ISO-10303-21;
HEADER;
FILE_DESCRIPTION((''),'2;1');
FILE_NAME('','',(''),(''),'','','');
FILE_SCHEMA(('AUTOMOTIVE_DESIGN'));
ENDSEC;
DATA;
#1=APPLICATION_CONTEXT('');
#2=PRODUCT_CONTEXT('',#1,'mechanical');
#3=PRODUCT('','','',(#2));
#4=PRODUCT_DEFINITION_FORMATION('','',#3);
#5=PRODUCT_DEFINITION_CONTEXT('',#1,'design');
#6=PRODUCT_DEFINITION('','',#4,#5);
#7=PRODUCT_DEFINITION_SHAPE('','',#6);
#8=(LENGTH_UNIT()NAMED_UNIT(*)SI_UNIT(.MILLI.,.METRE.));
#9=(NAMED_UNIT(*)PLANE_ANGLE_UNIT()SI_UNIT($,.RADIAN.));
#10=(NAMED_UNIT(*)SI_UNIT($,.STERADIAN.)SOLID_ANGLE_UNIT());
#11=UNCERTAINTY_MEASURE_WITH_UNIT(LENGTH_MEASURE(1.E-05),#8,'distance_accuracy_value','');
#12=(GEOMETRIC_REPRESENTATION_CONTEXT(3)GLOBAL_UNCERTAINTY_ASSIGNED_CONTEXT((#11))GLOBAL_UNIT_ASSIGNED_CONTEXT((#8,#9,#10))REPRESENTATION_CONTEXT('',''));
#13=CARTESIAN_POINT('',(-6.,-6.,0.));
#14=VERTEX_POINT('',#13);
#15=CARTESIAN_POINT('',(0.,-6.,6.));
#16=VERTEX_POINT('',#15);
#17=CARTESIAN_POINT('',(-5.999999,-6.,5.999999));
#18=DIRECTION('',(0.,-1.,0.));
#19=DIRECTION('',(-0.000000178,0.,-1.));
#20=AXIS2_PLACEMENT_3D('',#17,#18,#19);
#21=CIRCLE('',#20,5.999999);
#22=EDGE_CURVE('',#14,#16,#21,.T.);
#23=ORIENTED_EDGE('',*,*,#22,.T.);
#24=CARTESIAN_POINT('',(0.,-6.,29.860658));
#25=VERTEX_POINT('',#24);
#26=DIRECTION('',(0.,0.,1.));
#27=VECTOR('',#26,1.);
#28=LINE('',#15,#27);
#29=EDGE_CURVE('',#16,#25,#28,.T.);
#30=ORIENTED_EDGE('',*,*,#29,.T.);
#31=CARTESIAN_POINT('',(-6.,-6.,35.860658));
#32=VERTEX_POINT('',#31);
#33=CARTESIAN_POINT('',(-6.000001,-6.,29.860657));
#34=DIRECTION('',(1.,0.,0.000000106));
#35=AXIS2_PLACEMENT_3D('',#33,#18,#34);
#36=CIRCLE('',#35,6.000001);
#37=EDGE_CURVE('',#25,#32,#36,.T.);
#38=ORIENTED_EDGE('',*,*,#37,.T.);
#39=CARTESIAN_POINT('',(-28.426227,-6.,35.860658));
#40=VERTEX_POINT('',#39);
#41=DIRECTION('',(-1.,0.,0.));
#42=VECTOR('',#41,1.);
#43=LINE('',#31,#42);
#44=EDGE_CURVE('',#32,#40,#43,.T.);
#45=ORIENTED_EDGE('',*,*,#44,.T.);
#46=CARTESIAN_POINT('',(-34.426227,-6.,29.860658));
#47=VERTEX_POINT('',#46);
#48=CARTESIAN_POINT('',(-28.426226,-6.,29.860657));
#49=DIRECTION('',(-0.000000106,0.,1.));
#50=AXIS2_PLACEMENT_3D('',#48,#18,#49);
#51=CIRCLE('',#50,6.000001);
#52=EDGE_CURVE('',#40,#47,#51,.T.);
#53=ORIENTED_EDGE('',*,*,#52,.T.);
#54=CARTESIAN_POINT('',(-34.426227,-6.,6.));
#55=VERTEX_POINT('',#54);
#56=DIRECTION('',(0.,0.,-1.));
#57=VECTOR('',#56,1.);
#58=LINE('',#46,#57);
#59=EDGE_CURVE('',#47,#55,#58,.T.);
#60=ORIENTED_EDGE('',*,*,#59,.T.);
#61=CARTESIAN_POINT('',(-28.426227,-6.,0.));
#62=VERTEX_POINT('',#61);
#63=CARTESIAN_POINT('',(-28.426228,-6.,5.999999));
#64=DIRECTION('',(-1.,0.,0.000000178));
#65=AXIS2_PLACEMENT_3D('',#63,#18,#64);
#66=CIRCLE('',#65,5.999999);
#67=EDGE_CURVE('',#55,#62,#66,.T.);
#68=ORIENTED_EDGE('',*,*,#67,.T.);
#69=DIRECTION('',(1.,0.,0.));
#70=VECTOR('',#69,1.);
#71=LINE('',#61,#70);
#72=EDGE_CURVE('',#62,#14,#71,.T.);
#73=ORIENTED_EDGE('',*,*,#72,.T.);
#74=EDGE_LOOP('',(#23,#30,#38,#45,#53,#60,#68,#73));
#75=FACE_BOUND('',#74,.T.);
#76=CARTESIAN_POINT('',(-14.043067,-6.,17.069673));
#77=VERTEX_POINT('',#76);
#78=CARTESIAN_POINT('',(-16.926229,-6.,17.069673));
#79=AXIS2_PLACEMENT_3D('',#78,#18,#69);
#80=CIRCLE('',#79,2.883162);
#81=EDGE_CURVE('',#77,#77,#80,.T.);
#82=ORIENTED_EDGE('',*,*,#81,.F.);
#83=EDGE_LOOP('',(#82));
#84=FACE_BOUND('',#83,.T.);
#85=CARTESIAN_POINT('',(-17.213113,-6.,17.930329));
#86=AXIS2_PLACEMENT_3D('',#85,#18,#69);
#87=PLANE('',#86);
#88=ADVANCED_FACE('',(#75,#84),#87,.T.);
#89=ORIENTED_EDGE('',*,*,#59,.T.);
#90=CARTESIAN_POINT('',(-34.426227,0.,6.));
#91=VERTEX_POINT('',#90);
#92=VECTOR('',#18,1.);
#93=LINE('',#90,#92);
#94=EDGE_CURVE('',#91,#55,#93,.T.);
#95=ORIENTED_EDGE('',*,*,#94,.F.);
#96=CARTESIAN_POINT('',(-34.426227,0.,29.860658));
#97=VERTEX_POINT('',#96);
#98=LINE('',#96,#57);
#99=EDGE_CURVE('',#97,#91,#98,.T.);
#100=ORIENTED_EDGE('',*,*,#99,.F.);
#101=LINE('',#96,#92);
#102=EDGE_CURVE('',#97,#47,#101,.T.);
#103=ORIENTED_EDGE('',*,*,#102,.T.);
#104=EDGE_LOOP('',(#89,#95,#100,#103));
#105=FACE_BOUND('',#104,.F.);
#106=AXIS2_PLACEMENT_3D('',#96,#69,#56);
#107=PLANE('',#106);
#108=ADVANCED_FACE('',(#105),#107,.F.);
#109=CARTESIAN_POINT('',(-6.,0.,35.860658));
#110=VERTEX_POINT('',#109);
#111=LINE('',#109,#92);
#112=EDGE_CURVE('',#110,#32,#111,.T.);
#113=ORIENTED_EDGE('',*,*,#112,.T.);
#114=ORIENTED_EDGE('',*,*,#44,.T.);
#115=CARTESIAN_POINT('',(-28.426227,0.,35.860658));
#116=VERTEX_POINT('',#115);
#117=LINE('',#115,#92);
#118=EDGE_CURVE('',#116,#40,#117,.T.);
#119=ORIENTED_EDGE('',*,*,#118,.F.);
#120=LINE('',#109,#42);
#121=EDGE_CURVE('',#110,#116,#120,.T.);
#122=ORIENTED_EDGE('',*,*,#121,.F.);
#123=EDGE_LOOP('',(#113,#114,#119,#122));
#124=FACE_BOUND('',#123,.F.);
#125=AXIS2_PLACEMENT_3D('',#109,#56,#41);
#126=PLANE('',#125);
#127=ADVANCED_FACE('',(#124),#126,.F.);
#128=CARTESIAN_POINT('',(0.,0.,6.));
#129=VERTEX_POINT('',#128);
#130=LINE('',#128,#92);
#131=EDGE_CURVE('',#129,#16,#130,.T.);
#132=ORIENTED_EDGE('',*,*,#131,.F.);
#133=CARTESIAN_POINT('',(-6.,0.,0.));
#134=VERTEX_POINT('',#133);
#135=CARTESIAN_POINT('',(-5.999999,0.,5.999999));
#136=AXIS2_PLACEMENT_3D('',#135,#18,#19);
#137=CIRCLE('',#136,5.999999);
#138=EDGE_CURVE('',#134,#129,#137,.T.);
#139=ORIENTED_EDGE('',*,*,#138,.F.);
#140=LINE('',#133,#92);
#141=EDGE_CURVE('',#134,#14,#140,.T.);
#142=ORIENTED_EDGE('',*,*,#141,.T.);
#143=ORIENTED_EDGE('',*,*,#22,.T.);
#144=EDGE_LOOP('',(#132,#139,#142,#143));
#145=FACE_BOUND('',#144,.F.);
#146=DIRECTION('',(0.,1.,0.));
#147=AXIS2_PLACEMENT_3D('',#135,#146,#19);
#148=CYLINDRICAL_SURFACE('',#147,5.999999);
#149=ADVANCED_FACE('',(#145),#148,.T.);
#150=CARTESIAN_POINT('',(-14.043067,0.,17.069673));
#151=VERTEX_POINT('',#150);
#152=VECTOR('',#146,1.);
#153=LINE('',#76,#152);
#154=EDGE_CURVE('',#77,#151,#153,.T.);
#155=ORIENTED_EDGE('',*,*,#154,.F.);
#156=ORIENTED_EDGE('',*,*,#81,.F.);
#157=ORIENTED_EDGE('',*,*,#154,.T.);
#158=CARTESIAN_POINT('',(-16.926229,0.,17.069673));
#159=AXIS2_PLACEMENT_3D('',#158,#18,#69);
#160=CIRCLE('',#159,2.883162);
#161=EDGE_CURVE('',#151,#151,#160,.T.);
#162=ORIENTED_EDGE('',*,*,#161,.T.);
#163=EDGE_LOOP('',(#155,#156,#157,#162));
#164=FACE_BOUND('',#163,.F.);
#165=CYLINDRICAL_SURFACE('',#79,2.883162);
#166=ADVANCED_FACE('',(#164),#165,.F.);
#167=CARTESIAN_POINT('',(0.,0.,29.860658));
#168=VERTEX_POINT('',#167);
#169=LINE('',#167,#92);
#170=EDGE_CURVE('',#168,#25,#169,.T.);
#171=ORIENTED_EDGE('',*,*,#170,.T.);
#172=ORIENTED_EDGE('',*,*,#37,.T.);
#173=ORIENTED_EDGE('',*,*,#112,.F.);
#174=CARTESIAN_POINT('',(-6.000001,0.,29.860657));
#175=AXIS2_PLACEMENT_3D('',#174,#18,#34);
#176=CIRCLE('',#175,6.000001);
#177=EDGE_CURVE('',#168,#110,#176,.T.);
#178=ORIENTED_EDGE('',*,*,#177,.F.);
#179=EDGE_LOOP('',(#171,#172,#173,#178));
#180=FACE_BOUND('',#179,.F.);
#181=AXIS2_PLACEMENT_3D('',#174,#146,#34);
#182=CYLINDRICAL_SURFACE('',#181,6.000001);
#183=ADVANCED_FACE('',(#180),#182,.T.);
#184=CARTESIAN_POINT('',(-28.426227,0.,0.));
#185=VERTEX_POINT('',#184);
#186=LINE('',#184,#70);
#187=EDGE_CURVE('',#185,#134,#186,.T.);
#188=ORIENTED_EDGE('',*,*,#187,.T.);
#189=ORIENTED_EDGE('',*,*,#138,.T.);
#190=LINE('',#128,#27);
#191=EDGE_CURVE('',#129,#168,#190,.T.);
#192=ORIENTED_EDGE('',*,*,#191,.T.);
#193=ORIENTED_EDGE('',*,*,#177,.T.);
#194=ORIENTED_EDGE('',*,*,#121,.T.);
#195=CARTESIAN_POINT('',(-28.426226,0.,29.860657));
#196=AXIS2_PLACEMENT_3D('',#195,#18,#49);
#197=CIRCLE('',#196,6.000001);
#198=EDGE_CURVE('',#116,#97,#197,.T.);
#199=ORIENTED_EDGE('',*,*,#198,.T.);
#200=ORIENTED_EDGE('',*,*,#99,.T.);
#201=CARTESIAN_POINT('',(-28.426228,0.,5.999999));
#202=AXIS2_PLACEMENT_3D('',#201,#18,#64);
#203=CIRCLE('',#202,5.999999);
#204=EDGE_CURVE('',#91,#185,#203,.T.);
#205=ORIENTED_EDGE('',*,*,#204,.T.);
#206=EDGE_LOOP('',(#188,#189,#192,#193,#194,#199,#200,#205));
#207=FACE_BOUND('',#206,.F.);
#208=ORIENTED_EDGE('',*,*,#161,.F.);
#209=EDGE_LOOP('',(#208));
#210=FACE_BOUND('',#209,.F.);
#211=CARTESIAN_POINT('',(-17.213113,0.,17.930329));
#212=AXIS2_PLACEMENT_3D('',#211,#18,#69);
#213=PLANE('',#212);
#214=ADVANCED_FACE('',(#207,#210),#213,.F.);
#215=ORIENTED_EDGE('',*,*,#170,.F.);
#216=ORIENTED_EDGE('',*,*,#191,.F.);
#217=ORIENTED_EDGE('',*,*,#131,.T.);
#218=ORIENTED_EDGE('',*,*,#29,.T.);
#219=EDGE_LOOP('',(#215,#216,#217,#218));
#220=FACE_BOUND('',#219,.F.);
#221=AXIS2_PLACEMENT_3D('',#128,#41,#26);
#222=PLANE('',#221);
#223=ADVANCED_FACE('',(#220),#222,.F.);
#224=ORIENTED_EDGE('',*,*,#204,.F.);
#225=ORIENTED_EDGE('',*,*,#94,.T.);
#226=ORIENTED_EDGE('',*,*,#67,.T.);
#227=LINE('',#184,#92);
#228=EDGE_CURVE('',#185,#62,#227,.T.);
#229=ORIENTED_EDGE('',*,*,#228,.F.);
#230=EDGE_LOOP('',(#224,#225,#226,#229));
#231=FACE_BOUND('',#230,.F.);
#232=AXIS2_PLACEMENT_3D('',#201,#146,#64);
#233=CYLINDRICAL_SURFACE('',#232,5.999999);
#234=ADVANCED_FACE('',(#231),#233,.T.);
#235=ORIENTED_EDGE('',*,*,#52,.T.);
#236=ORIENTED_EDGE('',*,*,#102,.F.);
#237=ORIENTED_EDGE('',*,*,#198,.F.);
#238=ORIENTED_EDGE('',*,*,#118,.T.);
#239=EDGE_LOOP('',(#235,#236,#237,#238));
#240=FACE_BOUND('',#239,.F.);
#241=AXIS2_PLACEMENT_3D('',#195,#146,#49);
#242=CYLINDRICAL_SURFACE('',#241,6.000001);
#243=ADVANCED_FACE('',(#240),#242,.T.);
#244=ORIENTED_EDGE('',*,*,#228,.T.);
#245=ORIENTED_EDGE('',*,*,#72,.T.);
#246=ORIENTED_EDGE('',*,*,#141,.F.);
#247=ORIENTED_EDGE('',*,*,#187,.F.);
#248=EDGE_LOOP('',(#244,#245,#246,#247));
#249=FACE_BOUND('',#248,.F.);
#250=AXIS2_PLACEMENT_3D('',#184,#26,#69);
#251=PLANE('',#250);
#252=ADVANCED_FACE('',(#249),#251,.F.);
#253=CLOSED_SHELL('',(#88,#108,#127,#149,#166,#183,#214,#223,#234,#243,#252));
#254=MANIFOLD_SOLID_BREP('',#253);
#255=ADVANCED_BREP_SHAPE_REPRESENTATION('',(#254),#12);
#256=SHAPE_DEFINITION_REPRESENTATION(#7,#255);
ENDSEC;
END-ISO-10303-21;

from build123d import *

# Parameters (mm, degrees)
F1_DEPTH = 6
F2_R     = 2.883162
F3_DEPTH = 30


with BuildPart() as f1:
    # F0 (on Front) → F1 (new body)
    with BuildSketch(Plane.XZ):
        with BuildLine():
            Line((-28.426227, 0), (-6, 0))
            ThreePointArc((-6, 0), (-1.757359, 1.757359), (0, 6))
            Line((0, 6), (0, 29.860658))
            ThreePointArc((0, 29.860658), (-1.757359, 34.103298), (-6, 35.860658))
            Line((-6, 35.860658), (-28.426227, 35.860658))
            ThreePointArc((-28.426227, 35.860658), (-32.668868, 34.103298), (-34.426227, 29.860658))
            Line((-34.426227, 29.860658), (-34.426227, 6))
            ThreePointArc((-34.426227, 6), (-32.668868, 1.757359), (-28.426227, 0))
        make_face()
    extrude(amount=F1_DEPTH)

    # F2 (on face) → F3 (cut)
    with BuildSketch(Plane.XZ.offset(6)):
        with Locations((-16.926229, 17.069673)):
            Circle(F2_R)
    extrude(amount=-F3_DEPTH, mode=Mode.SUBTRACT)


solid = f1.part
